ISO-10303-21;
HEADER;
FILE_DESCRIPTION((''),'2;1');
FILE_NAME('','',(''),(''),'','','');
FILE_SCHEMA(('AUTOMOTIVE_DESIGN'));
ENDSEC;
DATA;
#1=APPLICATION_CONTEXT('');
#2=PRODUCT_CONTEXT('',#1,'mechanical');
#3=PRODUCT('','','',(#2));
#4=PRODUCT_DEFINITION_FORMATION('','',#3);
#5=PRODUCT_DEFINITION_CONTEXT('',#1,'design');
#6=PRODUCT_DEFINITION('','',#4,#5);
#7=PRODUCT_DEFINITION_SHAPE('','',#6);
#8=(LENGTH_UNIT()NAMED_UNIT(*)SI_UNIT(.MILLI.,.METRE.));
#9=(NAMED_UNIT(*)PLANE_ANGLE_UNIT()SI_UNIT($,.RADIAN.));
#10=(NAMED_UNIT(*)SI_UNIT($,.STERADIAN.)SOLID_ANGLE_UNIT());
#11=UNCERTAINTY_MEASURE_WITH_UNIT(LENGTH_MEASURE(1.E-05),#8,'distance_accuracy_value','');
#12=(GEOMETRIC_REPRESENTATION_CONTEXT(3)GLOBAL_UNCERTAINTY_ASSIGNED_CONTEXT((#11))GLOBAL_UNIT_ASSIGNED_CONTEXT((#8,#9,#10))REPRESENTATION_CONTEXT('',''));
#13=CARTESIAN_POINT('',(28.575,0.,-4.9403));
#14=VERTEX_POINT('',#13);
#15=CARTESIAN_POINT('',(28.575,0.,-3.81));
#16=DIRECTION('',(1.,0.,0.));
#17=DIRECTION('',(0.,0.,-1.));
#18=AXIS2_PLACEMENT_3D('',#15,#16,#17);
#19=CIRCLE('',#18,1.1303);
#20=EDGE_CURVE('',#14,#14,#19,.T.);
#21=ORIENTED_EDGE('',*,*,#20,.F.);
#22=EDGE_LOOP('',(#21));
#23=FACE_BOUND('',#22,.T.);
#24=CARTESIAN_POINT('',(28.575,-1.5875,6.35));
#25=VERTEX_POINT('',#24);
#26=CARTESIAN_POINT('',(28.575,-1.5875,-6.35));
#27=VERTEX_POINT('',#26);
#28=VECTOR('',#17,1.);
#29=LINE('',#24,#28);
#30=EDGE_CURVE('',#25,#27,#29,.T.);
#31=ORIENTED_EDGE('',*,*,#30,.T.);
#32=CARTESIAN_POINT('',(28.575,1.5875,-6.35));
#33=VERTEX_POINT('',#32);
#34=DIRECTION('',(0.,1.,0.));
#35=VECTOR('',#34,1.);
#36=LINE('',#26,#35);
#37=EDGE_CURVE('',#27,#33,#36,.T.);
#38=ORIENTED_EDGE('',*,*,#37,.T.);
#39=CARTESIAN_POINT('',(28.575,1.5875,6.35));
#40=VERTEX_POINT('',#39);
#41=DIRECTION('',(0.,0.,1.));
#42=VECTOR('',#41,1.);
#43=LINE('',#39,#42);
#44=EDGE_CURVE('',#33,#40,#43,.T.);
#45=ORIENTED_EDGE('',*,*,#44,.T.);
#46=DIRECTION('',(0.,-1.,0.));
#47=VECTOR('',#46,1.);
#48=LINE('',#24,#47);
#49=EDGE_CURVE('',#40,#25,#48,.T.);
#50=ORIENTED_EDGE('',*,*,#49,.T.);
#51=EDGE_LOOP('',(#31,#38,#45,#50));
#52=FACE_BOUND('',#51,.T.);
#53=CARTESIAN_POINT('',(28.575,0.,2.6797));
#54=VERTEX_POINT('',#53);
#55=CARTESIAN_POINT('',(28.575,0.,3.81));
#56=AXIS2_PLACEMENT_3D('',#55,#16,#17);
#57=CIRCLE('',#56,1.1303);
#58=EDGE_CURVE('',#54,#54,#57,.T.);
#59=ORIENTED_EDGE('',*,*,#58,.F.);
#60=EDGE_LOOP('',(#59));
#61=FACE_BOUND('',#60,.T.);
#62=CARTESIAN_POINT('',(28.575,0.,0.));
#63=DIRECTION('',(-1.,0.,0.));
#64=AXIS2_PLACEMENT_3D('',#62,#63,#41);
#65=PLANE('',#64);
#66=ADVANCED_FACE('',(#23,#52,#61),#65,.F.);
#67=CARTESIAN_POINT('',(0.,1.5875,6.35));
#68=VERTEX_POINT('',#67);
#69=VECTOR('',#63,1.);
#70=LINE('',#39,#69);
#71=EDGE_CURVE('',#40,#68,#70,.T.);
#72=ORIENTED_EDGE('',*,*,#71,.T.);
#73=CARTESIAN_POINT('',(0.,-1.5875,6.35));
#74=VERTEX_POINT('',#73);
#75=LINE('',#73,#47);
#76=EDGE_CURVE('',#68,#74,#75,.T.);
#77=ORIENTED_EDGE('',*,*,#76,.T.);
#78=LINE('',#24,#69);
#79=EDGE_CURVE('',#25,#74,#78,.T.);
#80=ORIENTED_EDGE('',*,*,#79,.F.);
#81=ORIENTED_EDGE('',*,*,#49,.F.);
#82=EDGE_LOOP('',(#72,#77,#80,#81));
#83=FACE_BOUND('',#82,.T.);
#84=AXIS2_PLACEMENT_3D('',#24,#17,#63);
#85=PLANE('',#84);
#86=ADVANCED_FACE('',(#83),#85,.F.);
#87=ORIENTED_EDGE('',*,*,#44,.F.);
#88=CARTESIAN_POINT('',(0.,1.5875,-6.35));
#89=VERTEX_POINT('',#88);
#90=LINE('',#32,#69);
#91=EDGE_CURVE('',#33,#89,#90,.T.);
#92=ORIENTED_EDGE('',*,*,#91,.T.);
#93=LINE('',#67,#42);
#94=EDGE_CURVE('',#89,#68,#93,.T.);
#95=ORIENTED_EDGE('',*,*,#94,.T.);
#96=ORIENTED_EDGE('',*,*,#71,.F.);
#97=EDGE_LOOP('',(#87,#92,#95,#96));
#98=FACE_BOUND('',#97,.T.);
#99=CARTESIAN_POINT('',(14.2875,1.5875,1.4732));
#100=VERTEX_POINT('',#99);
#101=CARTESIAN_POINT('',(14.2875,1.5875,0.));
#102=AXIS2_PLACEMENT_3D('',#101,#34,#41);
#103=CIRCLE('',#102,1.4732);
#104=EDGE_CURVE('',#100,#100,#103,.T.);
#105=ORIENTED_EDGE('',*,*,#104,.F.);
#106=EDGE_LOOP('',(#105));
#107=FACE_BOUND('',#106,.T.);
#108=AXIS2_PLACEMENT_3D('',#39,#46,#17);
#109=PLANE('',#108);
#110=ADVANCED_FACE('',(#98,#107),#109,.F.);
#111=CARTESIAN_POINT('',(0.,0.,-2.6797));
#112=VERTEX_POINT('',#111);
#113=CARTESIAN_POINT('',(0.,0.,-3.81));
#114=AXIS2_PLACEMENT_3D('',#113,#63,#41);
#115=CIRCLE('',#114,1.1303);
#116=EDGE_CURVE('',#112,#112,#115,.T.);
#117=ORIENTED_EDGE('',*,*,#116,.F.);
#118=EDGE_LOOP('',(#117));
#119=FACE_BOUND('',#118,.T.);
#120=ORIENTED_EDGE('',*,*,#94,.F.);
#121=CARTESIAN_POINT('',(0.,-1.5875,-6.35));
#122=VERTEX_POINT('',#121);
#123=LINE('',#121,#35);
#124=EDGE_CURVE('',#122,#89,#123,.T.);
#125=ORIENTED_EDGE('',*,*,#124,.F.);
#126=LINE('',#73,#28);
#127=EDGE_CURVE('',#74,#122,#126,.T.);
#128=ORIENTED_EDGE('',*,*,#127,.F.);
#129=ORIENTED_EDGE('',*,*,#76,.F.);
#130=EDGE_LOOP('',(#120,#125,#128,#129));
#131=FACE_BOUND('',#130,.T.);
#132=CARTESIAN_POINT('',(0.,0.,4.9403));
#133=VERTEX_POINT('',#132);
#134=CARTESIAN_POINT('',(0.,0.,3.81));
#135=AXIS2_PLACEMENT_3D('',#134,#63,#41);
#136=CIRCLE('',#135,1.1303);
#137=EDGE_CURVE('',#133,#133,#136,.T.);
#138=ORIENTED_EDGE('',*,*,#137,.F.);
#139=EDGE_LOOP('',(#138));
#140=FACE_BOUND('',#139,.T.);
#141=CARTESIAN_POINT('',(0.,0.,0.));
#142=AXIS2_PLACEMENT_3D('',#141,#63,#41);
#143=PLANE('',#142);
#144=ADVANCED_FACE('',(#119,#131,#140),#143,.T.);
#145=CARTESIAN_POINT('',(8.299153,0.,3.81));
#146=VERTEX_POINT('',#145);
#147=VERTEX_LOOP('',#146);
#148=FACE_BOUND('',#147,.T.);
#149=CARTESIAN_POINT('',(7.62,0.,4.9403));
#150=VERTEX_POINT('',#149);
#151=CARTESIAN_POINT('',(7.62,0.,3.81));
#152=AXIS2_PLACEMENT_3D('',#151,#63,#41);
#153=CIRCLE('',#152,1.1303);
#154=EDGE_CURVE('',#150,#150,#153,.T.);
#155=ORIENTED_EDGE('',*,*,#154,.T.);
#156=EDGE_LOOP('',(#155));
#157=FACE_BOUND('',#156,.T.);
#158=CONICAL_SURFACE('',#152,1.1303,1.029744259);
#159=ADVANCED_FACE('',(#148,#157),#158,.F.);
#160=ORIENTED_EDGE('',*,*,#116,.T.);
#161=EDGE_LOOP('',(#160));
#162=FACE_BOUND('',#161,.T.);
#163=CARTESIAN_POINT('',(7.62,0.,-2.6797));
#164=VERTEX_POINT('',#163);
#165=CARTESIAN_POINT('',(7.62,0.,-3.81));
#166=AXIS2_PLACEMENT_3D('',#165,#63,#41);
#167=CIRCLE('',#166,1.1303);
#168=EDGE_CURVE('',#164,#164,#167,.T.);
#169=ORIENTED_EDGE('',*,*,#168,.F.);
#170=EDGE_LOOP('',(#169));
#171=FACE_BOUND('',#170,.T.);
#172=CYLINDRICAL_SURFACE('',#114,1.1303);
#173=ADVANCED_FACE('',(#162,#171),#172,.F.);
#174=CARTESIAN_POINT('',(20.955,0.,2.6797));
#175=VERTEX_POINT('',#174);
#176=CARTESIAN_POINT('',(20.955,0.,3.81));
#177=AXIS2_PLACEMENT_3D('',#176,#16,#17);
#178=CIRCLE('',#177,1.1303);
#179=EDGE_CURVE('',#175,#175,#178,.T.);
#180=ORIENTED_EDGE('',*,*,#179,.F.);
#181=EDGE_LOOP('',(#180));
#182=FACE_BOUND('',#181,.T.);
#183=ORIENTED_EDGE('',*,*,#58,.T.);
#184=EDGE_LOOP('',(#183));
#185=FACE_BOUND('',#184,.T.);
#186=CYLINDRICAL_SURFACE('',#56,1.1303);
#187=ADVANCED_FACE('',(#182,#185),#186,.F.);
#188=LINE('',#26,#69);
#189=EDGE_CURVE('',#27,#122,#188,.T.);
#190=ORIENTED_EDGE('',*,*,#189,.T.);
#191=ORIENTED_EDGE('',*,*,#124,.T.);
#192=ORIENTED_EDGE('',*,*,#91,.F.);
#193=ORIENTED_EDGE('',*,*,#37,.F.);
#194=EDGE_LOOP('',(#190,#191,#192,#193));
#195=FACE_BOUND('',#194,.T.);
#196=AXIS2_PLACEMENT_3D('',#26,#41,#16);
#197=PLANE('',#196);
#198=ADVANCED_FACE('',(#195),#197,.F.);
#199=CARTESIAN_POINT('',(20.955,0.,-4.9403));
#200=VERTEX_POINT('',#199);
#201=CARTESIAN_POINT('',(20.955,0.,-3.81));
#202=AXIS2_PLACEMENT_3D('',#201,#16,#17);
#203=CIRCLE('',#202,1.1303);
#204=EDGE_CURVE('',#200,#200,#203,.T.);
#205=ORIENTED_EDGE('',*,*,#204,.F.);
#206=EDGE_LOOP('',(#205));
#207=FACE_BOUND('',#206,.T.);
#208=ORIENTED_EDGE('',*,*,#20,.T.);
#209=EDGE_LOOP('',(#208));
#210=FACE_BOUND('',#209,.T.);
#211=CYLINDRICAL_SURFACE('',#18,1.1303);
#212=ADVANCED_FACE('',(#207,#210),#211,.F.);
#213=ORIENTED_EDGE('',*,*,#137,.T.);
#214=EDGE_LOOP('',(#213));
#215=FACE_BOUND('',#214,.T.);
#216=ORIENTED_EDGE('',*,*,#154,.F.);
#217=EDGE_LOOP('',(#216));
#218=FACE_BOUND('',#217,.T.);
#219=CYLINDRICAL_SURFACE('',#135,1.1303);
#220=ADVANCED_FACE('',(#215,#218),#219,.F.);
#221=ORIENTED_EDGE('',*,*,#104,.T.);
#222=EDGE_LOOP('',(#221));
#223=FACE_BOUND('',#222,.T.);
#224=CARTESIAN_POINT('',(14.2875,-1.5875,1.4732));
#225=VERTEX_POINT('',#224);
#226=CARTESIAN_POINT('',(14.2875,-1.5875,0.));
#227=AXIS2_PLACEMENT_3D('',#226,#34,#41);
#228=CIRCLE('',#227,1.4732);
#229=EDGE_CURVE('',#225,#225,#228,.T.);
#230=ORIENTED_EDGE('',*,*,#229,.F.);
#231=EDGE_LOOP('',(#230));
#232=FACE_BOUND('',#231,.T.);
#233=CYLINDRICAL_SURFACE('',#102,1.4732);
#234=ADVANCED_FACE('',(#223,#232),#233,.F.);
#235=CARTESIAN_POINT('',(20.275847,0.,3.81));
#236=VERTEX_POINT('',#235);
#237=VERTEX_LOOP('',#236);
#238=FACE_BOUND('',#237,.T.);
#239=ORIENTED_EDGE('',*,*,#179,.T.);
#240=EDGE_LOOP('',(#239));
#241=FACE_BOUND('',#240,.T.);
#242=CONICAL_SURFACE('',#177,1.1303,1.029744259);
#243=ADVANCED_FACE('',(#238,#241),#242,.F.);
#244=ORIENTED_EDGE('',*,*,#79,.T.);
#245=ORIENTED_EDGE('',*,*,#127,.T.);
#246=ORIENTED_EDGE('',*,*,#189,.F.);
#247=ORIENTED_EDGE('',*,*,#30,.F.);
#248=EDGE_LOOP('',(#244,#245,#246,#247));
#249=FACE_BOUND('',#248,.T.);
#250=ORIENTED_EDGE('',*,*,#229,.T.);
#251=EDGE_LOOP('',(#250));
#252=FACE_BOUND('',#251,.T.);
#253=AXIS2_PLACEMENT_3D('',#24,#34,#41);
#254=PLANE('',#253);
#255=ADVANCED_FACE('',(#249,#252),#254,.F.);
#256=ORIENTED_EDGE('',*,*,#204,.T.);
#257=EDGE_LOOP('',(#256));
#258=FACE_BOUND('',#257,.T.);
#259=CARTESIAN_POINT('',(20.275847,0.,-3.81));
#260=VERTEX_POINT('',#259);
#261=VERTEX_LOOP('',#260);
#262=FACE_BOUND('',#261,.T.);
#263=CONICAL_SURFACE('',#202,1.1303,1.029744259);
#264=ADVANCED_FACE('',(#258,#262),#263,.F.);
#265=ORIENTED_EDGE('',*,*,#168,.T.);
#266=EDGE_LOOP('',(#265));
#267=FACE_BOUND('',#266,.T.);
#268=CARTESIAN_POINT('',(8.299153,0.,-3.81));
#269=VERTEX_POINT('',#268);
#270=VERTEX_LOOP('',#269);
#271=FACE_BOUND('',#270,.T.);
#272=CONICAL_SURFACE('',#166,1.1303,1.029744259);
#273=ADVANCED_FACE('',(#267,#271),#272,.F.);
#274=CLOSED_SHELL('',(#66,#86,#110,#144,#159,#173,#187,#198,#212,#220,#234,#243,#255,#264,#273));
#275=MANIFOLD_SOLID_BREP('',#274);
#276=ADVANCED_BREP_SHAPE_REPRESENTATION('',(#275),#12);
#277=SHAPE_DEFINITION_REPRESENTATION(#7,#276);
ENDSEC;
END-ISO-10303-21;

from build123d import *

# Parameters (mm, degrees)
SKETCH1_W                 = 12.7
SKETCH1_H                 = 3.175
BOSS_EXTRUDE1_DEPTH       = 28.575
F_4_CLEARANCE_HOLE1_D     = 2.9464
F_4_CLEARANCE_HOLE1_DEPTH = 3.302
F_4_CLEARANCE_HOLE1_TIP   = 0.885187864
F_4_40_TAPPED_HOLE1_D     = 2.2606
F_4_40_TAPPED_HOLE1_DEPTH = 7.62
F_4_40_TAPPED_HOLE1_TIP   = 0.679152758
F_4_40_TAPPED_HOLE2_D     = 2.2606
F_4_40_TAPPED_HOLE2_DEPTH = 7.62
F_4_40_TAPPED_HOLE2_TIP   = 0.679152758


with BuildPart() as part:
    # Sketch1 → Boss-Extrude1 (new body)
    with BuildSketch(Plane(origin=(0, 0, 0), x_dir=(0, 0, -1), z_dir=(1, 0, 0))):
        Rectangle(SKETCH1_W, SKETCH1_H)
    extrude(amount=BOSS_EXTRUDE1_DEPTH)

    # #4 Clearance Hole1
    with Locations(Plane(origin=(0, 1.5875, 0), x_dir=(1, 0, 0), z_dir=(0, 1, 0))):
        with Locations((14.2875, 0)):
            Hole(F_4_CLEARANCE_HOLE1_D / 2, depth=F_4_CLEARANCE_HOLE1_DEPTH)
            with Locations((0, 0, -(F_4_CLEARANCE_HOLE1_DEPTH + F_4_CLEARANCE_HOLE1_TIP / 2))):  # 118° drill point
                Cone(0, F_4_CLEARANCE_HOLE1_D / 2, F_4_CLEARANCE_HOLE1_TIP, mode=Mode.SUBTRACT)

    # #4-40 Tapped Hole1
    with Locations(Plane.ZY):
        with Locations((-3.81, 0), (3.81, 0)):
            Hole(F_4_40_TAPPED_HOLE1_D / 2, depth=F_4_40_TAPPED_HOLE1_DEPTH)
            with Locations((0, 0, -(F_4_40_TAPPED_HOLE1_DEPTH + F_4_40_TAPPED_HOLE1_TIP / 2))):  # 118° drill point
                Cone(0, F_4_40_TAPPED_HOLE1_D / 2, F_4_40_TAPPED_HOLE1_TIP, mode=Mode.SUBTRACT)

    # #4-40 Tapped Hole2
    with Locations(Plane(origin=(28.575, 0, 0), x_dir=(0, 0, -1), z_dir=(1, 0, 0))):
        with Locations((-3.81, 0), (3.81, 0)):
            Hole(F_4_40_TAPPED_HOLE2_D / 2, depth=F_4_40_TAPPED_HOLE2_DEPTH)
            with Locations((0, 0, -(F_4_40_TAPPED_HOLE2_DEPTH + F_4_40_TAPPED_HOLE2_TIP / 2))):  # 118° drill point
                Cone(0, F_4_40_TAPPED_HOLE2_D / 2, F_4_40_TAPPED_HOLE2_TIP, mode=Mode.SUBTRACT)


solid = part.part
